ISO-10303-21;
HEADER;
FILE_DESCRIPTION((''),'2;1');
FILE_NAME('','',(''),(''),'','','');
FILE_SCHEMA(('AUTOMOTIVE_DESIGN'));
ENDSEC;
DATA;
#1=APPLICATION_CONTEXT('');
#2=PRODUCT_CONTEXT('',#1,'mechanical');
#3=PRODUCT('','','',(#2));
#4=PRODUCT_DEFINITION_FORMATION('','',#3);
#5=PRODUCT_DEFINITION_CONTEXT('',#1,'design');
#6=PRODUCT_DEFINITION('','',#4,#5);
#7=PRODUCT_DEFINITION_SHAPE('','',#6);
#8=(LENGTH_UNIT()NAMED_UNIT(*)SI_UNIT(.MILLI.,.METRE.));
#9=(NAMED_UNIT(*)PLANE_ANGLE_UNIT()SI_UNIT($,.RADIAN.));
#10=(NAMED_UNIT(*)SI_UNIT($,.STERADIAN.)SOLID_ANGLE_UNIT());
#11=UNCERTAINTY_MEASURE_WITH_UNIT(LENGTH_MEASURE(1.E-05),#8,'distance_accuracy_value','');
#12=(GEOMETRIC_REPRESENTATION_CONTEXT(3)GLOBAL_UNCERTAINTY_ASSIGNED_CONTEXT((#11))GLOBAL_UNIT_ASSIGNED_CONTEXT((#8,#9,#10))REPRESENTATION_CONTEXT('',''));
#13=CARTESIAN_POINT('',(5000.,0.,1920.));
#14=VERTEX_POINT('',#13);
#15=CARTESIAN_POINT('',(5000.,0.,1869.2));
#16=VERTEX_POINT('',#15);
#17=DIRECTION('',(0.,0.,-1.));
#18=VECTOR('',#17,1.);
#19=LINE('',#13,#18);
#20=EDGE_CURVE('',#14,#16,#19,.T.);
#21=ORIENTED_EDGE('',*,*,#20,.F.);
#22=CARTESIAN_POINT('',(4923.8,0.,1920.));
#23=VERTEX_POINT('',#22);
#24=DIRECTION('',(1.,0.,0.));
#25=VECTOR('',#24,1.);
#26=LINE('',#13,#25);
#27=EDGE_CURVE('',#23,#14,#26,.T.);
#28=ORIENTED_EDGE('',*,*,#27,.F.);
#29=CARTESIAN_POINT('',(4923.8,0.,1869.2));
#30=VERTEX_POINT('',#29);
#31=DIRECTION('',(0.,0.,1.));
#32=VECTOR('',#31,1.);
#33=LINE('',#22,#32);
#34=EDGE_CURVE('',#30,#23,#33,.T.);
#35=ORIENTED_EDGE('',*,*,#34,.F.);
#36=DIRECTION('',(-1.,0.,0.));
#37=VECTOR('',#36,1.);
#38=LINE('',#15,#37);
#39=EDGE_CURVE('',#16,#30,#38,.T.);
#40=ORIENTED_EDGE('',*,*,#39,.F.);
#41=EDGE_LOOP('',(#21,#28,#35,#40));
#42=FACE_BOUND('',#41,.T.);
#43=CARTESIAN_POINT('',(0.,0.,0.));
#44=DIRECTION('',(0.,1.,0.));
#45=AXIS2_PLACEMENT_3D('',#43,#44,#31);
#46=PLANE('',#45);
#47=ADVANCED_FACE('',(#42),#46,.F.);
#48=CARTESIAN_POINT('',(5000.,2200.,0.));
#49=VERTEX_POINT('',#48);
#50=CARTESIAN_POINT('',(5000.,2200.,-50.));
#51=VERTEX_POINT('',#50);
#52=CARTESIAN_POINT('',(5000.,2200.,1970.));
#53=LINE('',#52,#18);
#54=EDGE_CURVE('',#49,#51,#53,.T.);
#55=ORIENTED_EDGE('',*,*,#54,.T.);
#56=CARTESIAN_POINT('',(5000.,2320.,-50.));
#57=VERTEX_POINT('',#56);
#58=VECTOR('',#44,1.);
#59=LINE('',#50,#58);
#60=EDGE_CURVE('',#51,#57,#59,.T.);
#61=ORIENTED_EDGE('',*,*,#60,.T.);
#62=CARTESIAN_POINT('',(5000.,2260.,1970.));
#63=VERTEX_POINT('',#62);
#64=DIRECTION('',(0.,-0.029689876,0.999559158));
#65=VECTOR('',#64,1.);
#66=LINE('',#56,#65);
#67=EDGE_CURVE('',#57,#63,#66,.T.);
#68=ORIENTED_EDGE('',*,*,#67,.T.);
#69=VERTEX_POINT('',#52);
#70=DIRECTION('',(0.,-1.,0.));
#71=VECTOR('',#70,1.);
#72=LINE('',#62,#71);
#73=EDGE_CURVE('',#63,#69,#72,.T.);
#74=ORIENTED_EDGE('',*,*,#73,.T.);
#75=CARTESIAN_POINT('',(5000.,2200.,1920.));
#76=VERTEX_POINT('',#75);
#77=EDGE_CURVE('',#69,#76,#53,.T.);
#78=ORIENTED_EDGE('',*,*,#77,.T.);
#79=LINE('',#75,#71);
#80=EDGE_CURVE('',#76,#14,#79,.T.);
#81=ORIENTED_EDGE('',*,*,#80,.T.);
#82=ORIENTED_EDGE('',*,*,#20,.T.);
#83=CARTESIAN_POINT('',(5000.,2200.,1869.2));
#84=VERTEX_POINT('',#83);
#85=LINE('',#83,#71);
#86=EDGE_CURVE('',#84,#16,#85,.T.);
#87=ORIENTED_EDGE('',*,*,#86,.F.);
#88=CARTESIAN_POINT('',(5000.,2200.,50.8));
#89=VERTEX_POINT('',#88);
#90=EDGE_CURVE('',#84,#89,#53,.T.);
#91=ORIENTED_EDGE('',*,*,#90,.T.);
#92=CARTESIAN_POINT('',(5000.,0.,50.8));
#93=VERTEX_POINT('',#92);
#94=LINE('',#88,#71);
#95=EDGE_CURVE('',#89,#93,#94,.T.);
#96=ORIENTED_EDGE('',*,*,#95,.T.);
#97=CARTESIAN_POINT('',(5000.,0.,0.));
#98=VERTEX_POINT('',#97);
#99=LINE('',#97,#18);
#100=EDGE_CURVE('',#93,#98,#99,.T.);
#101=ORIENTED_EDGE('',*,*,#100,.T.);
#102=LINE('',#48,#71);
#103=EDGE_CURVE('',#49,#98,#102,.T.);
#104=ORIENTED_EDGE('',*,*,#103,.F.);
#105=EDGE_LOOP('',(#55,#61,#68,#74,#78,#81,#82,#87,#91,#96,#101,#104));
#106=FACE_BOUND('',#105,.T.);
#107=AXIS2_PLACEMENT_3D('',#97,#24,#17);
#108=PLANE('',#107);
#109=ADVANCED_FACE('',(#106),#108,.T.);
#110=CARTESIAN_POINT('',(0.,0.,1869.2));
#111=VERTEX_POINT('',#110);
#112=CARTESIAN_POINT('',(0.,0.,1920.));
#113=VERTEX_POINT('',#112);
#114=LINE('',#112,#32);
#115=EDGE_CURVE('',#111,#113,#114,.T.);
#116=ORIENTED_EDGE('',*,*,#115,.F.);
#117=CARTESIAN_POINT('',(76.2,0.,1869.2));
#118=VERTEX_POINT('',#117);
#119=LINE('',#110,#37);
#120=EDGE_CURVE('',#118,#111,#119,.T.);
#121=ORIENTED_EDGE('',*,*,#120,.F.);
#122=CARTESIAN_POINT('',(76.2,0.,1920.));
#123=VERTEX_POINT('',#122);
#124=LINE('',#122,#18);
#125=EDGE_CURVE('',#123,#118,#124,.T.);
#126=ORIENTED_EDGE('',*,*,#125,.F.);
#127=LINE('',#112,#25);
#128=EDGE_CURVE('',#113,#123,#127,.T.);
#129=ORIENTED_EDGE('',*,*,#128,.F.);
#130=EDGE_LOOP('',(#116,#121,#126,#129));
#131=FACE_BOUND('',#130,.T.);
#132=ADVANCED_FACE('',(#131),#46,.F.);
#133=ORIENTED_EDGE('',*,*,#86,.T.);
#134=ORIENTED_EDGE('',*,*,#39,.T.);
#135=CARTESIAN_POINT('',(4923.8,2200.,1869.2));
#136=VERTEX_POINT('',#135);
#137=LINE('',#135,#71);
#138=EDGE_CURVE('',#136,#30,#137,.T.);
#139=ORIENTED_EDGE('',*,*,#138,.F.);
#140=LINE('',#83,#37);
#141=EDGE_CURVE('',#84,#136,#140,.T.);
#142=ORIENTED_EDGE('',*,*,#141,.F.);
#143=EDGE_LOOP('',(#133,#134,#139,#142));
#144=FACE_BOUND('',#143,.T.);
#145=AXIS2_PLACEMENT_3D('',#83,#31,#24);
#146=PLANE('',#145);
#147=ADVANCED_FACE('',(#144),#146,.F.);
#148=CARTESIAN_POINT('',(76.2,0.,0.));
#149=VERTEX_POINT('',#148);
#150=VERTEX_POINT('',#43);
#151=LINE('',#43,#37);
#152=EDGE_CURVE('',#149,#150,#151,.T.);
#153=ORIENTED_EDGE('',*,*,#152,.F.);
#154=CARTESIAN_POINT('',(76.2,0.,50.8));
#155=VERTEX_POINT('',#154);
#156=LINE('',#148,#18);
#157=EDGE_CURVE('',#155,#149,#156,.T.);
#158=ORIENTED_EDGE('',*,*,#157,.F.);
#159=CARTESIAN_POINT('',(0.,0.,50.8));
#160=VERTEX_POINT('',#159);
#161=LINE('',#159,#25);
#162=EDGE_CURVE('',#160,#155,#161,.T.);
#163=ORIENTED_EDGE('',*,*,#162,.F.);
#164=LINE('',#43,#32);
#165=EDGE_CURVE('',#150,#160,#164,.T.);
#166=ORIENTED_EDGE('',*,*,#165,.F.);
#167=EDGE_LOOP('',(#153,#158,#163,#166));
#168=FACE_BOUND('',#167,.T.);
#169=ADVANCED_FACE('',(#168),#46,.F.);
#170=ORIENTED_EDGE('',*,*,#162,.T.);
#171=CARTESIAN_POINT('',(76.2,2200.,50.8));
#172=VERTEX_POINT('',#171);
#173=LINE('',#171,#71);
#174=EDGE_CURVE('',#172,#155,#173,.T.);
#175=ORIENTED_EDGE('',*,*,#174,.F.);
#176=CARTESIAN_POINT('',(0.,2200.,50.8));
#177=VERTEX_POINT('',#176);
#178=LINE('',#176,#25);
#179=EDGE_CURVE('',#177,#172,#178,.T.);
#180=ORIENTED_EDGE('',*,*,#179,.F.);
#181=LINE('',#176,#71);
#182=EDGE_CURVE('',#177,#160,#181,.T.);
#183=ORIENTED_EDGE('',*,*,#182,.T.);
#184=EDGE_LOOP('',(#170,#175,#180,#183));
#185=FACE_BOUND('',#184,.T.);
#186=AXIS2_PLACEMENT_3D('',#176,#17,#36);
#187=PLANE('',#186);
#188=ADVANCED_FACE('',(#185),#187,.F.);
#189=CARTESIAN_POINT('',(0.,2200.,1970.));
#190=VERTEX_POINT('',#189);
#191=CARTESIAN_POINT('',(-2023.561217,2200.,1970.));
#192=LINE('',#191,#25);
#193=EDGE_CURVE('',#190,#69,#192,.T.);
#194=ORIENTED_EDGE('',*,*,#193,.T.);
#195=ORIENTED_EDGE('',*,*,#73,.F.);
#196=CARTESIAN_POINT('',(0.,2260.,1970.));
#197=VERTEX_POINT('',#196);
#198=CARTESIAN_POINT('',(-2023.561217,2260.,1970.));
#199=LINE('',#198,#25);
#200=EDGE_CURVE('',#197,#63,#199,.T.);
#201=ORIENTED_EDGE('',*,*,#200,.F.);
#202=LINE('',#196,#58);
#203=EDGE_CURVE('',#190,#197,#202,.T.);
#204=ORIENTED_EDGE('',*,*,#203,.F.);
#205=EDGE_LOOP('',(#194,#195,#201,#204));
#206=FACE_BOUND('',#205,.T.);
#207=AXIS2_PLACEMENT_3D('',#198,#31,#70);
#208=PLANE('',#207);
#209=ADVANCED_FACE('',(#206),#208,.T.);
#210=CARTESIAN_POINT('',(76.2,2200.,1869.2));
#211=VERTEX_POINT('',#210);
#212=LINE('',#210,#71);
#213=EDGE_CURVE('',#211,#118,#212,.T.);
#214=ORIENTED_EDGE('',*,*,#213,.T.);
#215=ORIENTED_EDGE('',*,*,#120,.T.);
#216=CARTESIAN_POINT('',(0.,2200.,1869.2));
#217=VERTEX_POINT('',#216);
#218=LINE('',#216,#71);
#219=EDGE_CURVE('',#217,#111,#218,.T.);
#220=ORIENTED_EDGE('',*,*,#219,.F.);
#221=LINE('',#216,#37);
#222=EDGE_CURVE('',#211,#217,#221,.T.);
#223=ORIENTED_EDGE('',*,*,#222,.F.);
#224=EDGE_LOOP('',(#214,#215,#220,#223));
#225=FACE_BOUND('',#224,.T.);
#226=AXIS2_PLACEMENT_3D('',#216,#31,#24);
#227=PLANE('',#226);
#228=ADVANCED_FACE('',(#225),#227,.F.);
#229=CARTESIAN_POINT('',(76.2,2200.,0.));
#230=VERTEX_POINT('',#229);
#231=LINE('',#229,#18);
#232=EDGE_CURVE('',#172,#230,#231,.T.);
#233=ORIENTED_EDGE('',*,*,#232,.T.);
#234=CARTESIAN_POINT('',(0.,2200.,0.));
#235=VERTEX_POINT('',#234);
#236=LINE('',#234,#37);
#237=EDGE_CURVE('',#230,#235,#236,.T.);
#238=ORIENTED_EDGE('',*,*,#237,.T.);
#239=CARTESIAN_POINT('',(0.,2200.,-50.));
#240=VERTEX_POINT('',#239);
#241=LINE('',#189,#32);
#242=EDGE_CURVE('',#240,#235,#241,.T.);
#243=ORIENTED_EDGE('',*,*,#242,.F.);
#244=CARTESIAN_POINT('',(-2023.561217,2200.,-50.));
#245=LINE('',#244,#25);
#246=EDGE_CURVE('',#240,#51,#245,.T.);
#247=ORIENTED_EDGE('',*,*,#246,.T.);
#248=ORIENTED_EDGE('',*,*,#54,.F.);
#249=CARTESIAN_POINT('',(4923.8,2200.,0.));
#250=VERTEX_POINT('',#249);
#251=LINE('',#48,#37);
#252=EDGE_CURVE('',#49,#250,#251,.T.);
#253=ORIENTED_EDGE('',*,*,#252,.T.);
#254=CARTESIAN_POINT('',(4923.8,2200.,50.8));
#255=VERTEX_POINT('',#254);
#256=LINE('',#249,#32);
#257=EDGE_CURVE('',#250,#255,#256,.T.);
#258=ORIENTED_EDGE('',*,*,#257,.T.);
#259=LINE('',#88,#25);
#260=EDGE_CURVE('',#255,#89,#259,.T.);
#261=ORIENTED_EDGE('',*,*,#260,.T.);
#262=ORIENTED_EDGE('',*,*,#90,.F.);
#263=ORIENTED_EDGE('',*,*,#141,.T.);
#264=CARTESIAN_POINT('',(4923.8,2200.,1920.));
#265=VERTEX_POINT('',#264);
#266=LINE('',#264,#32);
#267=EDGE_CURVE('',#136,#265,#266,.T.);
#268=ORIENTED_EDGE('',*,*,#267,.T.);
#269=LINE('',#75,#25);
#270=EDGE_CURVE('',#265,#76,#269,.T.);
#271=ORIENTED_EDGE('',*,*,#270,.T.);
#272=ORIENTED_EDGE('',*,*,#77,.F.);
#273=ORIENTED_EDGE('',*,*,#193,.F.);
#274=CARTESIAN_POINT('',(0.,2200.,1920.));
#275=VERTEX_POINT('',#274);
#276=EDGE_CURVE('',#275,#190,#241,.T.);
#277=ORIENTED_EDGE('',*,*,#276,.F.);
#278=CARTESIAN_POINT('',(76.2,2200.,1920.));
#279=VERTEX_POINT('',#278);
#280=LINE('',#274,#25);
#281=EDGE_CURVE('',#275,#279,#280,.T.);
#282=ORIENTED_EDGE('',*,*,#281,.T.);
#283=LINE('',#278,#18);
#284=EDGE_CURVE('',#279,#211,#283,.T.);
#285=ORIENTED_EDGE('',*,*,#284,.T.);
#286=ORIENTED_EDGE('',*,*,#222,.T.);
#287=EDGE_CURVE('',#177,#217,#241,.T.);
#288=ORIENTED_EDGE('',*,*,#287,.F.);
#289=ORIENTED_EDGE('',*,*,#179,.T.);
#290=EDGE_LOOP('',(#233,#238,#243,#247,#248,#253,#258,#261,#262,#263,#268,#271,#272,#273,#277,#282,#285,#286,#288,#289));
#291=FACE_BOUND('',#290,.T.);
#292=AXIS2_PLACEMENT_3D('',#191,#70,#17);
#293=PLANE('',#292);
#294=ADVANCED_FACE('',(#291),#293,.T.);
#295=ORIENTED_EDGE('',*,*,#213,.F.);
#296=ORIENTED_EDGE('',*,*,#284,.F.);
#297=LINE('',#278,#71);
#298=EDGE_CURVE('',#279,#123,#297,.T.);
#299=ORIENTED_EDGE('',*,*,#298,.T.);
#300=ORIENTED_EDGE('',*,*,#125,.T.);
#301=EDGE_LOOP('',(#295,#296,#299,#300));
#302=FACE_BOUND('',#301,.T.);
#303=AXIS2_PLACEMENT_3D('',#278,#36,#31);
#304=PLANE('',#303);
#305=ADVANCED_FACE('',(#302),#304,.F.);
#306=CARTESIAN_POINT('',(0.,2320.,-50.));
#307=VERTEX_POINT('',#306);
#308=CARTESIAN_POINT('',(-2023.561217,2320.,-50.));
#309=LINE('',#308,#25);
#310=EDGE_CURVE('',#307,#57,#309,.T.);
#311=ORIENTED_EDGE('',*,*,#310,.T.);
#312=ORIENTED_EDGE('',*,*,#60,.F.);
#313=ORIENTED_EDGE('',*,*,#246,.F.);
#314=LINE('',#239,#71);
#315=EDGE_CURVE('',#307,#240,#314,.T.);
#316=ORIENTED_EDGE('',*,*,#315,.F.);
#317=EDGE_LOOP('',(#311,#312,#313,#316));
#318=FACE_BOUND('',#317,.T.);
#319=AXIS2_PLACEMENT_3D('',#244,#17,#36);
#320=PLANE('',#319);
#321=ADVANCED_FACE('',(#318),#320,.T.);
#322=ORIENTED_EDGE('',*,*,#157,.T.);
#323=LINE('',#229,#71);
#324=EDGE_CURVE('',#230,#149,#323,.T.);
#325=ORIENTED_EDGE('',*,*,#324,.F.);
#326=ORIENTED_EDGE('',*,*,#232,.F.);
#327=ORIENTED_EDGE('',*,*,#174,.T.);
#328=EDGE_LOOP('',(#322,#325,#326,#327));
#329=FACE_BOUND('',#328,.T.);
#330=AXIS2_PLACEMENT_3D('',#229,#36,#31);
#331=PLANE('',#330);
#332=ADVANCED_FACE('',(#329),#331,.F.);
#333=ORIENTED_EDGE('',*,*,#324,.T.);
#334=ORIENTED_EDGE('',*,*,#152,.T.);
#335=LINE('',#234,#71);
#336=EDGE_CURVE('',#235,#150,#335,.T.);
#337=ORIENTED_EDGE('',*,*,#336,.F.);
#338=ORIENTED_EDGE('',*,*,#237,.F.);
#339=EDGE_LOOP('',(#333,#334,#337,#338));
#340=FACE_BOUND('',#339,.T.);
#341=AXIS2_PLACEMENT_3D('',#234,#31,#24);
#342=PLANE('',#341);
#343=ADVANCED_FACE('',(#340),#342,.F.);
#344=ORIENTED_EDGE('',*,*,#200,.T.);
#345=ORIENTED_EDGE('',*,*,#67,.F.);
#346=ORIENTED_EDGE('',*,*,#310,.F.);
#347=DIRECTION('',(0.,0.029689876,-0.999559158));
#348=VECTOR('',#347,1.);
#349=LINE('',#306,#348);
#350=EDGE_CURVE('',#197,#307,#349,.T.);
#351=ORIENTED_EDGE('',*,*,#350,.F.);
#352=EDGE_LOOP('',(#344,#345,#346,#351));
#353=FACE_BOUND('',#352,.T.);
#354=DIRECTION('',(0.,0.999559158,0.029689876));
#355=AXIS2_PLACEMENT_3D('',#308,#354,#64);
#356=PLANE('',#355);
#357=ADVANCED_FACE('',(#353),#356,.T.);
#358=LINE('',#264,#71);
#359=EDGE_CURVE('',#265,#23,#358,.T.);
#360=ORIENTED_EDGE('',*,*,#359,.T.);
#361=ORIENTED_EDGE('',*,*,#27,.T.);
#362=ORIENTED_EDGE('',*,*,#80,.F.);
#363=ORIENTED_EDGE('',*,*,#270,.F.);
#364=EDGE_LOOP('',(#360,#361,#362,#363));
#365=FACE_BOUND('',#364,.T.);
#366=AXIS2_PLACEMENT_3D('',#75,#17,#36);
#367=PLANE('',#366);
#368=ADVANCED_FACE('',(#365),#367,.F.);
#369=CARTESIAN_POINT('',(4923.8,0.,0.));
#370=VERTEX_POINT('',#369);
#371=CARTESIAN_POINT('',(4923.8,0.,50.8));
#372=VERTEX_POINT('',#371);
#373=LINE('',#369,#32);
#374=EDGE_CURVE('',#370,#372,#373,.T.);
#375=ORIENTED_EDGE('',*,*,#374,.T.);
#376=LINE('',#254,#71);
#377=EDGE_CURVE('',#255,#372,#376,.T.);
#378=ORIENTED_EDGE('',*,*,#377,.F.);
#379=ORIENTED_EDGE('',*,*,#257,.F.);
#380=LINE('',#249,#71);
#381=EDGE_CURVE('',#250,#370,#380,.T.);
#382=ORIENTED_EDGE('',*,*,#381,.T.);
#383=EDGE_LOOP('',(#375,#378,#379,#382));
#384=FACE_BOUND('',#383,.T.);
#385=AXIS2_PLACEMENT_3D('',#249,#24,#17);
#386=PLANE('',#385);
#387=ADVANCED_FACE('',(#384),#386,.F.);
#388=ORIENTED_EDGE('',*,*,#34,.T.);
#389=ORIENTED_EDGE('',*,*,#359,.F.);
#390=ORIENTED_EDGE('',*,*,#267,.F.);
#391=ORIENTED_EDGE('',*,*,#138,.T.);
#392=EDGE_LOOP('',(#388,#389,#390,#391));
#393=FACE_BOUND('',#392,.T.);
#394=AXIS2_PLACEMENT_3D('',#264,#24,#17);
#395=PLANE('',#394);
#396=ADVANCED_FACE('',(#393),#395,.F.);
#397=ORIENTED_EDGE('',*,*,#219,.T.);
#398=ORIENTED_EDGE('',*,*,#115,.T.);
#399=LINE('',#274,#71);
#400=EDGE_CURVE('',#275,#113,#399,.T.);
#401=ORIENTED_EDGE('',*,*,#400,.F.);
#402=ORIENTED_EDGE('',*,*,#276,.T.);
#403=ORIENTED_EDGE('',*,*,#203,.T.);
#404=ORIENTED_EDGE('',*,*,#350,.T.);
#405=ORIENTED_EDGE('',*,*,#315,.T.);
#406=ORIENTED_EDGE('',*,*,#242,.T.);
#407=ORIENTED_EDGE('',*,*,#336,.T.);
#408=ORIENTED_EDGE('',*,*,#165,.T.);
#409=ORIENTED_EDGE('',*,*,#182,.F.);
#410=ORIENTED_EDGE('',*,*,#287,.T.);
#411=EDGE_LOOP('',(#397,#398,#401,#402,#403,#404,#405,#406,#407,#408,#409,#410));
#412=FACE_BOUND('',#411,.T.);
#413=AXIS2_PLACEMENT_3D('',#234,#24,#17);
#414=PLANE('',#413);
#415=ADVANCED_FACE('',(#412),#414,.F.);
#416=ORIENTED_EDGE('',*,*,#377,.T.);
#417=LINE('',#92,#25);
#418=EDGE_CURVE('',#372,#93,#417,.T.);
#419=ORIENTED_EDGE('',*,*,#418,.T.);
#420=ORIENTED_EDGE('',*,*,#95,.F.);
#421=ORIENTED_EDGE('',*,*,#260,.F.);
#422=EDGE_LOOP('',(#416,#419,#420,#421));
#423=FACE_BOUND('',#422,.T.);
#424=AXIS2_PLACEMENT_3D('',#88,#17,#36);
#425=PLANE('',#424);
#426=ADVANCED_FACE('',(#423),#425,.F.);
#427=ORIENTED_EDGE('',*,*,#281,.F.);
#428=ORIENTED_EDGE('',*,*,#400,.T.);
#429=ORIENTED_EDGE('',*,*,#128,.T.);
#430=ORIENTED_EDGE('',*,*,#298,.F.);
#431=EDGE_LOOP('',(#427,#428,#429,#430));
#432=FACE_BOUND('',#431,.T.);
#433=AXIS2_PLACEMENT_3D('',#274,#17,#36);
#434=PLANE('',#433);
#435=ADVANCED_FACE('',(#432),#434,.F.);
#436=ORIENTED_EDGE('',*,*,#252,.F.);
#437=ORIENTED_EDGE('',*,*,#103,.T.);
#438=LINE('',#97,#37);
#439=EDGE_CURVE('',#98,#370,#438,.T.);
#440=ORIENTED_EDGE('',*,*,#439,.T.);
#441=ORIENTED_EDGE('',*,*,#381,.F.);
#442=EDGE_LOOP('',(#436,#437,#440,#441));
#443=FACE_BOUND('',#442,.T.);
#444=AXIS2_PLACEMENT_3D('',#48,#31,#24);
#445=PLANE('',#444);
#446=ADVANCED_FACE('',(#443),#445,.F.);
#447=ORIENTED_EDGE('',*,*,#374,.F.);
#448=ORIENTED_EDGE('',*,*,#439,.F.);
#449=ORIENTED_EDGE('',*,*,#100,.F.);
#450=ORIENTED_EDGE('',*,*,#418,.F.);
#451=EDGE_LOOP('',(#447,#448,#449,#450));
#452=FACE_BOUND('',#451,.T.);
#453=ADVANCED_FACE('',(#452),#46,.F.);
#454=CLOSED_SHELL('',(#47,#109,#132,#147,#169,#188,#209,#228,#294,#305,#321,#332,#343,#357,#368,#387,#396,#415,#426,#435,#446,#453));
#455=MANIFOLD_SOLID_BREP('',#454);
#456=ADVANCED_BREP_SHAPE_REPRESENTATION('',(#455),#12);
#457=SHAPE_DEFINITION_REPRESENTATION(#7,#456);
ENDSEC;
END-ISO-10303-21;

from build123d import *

# Parameters (mm, degrees)
CROQUIS2_W                = 76.2
CROQUIS2_H                = 50.8
SALIENTE_EXTRUIR1_DEPTH   = 2200
SALIENTE_EXTRUIR1_2_DEPTH = 2200
SALIENTE_EXTRUIR1_3_DEPTH = 2200
SALIENTE_EXTRUIR1_4_DEPTH = 2200
SALIENTE_EXTRUIR2_DEPTH   = 5000


with BuildPart() as part:
    # Croquis2 → Saliente-Extruir1 (new body)
    with BuildSketch(Plane(origin=(0, 0, 0), x_dir=(1, 0, 0), z_dir=(0, 1, 0))):
        with Locations((38.1, -25.4)):
            Rectangle(CROQUIS2_W, CROQUIS2_H)
    extrude(amount=SALIENTE_EXTRUIR1_DEPTH)



with BuildPart() as body_2:
    # Croquis2 → Saliente-Extruir1 2 (new body)
    with BuildSketch(Plane(origin=(0, 0, 0), x_dir=(1, 0, 0), z_dir=(0, 1, 0))):
        with Locations((4961.9, -25.4)):
            Rectangle(CROQUIS2_W, CROQUIS2_H)
    extrude(amount=SALIENTE_EXTRUIR1_2_DEPTH)


with BuildPart() as body_3:
    # Croquis2 → Saliente-Extruir1 3 (new body)
    with BuildSketch(Plane(origin=(0, 0, 0), x_dir=(1, 0, 0), z_dir=(0, 1, 0))):
        with Locations((4961.9, -1894.6)):
            Rectangle(CROQUIS2_W, CROQUIS2_H)
    extrude(amount=SALIENTE_EXTRUIR1_3_DEPTH)


with BuildPart() as body_4:
    # Croquis2 → Saliente-Extruir1 4 (new body)
    with BuildSketch(Plane(origin=(0, 0, 0), x_dir=(1, 0, 0), z_dir=(0, 1, 0))):
        with Locations((38.1, -1894.6)):
            Rectangle(CROQUIS2_W, CROQUIS2_H)
    extrude(amount=SALIENTE_EXTRUIR1_4_DEPTH)


with BuildPart() as part_1:
    add(part.part)

    add(body_2.part)  # Saliente-Extruir2 merges body 2

    add(body_3.part)  # Saliente-Extruir2 merges body 3

    add(body_4.part)  # Saliente-Extruir2 merges body 4
    # Croquis3 → Saliente-Extruir2 (add)
    with BuildSketch(Plane(origin=(5000, 0, 0), x_dir=(0, 0, -1), z_dir=(1, 0, 0))):
        Polygon((-1970, 2200), (50, 2200), (50, 2320), (-1970, 2260), align=None)
    extrude(amount=-SALIENTE_EXTRUIR2_DEPTH)


solid = part_1.part
